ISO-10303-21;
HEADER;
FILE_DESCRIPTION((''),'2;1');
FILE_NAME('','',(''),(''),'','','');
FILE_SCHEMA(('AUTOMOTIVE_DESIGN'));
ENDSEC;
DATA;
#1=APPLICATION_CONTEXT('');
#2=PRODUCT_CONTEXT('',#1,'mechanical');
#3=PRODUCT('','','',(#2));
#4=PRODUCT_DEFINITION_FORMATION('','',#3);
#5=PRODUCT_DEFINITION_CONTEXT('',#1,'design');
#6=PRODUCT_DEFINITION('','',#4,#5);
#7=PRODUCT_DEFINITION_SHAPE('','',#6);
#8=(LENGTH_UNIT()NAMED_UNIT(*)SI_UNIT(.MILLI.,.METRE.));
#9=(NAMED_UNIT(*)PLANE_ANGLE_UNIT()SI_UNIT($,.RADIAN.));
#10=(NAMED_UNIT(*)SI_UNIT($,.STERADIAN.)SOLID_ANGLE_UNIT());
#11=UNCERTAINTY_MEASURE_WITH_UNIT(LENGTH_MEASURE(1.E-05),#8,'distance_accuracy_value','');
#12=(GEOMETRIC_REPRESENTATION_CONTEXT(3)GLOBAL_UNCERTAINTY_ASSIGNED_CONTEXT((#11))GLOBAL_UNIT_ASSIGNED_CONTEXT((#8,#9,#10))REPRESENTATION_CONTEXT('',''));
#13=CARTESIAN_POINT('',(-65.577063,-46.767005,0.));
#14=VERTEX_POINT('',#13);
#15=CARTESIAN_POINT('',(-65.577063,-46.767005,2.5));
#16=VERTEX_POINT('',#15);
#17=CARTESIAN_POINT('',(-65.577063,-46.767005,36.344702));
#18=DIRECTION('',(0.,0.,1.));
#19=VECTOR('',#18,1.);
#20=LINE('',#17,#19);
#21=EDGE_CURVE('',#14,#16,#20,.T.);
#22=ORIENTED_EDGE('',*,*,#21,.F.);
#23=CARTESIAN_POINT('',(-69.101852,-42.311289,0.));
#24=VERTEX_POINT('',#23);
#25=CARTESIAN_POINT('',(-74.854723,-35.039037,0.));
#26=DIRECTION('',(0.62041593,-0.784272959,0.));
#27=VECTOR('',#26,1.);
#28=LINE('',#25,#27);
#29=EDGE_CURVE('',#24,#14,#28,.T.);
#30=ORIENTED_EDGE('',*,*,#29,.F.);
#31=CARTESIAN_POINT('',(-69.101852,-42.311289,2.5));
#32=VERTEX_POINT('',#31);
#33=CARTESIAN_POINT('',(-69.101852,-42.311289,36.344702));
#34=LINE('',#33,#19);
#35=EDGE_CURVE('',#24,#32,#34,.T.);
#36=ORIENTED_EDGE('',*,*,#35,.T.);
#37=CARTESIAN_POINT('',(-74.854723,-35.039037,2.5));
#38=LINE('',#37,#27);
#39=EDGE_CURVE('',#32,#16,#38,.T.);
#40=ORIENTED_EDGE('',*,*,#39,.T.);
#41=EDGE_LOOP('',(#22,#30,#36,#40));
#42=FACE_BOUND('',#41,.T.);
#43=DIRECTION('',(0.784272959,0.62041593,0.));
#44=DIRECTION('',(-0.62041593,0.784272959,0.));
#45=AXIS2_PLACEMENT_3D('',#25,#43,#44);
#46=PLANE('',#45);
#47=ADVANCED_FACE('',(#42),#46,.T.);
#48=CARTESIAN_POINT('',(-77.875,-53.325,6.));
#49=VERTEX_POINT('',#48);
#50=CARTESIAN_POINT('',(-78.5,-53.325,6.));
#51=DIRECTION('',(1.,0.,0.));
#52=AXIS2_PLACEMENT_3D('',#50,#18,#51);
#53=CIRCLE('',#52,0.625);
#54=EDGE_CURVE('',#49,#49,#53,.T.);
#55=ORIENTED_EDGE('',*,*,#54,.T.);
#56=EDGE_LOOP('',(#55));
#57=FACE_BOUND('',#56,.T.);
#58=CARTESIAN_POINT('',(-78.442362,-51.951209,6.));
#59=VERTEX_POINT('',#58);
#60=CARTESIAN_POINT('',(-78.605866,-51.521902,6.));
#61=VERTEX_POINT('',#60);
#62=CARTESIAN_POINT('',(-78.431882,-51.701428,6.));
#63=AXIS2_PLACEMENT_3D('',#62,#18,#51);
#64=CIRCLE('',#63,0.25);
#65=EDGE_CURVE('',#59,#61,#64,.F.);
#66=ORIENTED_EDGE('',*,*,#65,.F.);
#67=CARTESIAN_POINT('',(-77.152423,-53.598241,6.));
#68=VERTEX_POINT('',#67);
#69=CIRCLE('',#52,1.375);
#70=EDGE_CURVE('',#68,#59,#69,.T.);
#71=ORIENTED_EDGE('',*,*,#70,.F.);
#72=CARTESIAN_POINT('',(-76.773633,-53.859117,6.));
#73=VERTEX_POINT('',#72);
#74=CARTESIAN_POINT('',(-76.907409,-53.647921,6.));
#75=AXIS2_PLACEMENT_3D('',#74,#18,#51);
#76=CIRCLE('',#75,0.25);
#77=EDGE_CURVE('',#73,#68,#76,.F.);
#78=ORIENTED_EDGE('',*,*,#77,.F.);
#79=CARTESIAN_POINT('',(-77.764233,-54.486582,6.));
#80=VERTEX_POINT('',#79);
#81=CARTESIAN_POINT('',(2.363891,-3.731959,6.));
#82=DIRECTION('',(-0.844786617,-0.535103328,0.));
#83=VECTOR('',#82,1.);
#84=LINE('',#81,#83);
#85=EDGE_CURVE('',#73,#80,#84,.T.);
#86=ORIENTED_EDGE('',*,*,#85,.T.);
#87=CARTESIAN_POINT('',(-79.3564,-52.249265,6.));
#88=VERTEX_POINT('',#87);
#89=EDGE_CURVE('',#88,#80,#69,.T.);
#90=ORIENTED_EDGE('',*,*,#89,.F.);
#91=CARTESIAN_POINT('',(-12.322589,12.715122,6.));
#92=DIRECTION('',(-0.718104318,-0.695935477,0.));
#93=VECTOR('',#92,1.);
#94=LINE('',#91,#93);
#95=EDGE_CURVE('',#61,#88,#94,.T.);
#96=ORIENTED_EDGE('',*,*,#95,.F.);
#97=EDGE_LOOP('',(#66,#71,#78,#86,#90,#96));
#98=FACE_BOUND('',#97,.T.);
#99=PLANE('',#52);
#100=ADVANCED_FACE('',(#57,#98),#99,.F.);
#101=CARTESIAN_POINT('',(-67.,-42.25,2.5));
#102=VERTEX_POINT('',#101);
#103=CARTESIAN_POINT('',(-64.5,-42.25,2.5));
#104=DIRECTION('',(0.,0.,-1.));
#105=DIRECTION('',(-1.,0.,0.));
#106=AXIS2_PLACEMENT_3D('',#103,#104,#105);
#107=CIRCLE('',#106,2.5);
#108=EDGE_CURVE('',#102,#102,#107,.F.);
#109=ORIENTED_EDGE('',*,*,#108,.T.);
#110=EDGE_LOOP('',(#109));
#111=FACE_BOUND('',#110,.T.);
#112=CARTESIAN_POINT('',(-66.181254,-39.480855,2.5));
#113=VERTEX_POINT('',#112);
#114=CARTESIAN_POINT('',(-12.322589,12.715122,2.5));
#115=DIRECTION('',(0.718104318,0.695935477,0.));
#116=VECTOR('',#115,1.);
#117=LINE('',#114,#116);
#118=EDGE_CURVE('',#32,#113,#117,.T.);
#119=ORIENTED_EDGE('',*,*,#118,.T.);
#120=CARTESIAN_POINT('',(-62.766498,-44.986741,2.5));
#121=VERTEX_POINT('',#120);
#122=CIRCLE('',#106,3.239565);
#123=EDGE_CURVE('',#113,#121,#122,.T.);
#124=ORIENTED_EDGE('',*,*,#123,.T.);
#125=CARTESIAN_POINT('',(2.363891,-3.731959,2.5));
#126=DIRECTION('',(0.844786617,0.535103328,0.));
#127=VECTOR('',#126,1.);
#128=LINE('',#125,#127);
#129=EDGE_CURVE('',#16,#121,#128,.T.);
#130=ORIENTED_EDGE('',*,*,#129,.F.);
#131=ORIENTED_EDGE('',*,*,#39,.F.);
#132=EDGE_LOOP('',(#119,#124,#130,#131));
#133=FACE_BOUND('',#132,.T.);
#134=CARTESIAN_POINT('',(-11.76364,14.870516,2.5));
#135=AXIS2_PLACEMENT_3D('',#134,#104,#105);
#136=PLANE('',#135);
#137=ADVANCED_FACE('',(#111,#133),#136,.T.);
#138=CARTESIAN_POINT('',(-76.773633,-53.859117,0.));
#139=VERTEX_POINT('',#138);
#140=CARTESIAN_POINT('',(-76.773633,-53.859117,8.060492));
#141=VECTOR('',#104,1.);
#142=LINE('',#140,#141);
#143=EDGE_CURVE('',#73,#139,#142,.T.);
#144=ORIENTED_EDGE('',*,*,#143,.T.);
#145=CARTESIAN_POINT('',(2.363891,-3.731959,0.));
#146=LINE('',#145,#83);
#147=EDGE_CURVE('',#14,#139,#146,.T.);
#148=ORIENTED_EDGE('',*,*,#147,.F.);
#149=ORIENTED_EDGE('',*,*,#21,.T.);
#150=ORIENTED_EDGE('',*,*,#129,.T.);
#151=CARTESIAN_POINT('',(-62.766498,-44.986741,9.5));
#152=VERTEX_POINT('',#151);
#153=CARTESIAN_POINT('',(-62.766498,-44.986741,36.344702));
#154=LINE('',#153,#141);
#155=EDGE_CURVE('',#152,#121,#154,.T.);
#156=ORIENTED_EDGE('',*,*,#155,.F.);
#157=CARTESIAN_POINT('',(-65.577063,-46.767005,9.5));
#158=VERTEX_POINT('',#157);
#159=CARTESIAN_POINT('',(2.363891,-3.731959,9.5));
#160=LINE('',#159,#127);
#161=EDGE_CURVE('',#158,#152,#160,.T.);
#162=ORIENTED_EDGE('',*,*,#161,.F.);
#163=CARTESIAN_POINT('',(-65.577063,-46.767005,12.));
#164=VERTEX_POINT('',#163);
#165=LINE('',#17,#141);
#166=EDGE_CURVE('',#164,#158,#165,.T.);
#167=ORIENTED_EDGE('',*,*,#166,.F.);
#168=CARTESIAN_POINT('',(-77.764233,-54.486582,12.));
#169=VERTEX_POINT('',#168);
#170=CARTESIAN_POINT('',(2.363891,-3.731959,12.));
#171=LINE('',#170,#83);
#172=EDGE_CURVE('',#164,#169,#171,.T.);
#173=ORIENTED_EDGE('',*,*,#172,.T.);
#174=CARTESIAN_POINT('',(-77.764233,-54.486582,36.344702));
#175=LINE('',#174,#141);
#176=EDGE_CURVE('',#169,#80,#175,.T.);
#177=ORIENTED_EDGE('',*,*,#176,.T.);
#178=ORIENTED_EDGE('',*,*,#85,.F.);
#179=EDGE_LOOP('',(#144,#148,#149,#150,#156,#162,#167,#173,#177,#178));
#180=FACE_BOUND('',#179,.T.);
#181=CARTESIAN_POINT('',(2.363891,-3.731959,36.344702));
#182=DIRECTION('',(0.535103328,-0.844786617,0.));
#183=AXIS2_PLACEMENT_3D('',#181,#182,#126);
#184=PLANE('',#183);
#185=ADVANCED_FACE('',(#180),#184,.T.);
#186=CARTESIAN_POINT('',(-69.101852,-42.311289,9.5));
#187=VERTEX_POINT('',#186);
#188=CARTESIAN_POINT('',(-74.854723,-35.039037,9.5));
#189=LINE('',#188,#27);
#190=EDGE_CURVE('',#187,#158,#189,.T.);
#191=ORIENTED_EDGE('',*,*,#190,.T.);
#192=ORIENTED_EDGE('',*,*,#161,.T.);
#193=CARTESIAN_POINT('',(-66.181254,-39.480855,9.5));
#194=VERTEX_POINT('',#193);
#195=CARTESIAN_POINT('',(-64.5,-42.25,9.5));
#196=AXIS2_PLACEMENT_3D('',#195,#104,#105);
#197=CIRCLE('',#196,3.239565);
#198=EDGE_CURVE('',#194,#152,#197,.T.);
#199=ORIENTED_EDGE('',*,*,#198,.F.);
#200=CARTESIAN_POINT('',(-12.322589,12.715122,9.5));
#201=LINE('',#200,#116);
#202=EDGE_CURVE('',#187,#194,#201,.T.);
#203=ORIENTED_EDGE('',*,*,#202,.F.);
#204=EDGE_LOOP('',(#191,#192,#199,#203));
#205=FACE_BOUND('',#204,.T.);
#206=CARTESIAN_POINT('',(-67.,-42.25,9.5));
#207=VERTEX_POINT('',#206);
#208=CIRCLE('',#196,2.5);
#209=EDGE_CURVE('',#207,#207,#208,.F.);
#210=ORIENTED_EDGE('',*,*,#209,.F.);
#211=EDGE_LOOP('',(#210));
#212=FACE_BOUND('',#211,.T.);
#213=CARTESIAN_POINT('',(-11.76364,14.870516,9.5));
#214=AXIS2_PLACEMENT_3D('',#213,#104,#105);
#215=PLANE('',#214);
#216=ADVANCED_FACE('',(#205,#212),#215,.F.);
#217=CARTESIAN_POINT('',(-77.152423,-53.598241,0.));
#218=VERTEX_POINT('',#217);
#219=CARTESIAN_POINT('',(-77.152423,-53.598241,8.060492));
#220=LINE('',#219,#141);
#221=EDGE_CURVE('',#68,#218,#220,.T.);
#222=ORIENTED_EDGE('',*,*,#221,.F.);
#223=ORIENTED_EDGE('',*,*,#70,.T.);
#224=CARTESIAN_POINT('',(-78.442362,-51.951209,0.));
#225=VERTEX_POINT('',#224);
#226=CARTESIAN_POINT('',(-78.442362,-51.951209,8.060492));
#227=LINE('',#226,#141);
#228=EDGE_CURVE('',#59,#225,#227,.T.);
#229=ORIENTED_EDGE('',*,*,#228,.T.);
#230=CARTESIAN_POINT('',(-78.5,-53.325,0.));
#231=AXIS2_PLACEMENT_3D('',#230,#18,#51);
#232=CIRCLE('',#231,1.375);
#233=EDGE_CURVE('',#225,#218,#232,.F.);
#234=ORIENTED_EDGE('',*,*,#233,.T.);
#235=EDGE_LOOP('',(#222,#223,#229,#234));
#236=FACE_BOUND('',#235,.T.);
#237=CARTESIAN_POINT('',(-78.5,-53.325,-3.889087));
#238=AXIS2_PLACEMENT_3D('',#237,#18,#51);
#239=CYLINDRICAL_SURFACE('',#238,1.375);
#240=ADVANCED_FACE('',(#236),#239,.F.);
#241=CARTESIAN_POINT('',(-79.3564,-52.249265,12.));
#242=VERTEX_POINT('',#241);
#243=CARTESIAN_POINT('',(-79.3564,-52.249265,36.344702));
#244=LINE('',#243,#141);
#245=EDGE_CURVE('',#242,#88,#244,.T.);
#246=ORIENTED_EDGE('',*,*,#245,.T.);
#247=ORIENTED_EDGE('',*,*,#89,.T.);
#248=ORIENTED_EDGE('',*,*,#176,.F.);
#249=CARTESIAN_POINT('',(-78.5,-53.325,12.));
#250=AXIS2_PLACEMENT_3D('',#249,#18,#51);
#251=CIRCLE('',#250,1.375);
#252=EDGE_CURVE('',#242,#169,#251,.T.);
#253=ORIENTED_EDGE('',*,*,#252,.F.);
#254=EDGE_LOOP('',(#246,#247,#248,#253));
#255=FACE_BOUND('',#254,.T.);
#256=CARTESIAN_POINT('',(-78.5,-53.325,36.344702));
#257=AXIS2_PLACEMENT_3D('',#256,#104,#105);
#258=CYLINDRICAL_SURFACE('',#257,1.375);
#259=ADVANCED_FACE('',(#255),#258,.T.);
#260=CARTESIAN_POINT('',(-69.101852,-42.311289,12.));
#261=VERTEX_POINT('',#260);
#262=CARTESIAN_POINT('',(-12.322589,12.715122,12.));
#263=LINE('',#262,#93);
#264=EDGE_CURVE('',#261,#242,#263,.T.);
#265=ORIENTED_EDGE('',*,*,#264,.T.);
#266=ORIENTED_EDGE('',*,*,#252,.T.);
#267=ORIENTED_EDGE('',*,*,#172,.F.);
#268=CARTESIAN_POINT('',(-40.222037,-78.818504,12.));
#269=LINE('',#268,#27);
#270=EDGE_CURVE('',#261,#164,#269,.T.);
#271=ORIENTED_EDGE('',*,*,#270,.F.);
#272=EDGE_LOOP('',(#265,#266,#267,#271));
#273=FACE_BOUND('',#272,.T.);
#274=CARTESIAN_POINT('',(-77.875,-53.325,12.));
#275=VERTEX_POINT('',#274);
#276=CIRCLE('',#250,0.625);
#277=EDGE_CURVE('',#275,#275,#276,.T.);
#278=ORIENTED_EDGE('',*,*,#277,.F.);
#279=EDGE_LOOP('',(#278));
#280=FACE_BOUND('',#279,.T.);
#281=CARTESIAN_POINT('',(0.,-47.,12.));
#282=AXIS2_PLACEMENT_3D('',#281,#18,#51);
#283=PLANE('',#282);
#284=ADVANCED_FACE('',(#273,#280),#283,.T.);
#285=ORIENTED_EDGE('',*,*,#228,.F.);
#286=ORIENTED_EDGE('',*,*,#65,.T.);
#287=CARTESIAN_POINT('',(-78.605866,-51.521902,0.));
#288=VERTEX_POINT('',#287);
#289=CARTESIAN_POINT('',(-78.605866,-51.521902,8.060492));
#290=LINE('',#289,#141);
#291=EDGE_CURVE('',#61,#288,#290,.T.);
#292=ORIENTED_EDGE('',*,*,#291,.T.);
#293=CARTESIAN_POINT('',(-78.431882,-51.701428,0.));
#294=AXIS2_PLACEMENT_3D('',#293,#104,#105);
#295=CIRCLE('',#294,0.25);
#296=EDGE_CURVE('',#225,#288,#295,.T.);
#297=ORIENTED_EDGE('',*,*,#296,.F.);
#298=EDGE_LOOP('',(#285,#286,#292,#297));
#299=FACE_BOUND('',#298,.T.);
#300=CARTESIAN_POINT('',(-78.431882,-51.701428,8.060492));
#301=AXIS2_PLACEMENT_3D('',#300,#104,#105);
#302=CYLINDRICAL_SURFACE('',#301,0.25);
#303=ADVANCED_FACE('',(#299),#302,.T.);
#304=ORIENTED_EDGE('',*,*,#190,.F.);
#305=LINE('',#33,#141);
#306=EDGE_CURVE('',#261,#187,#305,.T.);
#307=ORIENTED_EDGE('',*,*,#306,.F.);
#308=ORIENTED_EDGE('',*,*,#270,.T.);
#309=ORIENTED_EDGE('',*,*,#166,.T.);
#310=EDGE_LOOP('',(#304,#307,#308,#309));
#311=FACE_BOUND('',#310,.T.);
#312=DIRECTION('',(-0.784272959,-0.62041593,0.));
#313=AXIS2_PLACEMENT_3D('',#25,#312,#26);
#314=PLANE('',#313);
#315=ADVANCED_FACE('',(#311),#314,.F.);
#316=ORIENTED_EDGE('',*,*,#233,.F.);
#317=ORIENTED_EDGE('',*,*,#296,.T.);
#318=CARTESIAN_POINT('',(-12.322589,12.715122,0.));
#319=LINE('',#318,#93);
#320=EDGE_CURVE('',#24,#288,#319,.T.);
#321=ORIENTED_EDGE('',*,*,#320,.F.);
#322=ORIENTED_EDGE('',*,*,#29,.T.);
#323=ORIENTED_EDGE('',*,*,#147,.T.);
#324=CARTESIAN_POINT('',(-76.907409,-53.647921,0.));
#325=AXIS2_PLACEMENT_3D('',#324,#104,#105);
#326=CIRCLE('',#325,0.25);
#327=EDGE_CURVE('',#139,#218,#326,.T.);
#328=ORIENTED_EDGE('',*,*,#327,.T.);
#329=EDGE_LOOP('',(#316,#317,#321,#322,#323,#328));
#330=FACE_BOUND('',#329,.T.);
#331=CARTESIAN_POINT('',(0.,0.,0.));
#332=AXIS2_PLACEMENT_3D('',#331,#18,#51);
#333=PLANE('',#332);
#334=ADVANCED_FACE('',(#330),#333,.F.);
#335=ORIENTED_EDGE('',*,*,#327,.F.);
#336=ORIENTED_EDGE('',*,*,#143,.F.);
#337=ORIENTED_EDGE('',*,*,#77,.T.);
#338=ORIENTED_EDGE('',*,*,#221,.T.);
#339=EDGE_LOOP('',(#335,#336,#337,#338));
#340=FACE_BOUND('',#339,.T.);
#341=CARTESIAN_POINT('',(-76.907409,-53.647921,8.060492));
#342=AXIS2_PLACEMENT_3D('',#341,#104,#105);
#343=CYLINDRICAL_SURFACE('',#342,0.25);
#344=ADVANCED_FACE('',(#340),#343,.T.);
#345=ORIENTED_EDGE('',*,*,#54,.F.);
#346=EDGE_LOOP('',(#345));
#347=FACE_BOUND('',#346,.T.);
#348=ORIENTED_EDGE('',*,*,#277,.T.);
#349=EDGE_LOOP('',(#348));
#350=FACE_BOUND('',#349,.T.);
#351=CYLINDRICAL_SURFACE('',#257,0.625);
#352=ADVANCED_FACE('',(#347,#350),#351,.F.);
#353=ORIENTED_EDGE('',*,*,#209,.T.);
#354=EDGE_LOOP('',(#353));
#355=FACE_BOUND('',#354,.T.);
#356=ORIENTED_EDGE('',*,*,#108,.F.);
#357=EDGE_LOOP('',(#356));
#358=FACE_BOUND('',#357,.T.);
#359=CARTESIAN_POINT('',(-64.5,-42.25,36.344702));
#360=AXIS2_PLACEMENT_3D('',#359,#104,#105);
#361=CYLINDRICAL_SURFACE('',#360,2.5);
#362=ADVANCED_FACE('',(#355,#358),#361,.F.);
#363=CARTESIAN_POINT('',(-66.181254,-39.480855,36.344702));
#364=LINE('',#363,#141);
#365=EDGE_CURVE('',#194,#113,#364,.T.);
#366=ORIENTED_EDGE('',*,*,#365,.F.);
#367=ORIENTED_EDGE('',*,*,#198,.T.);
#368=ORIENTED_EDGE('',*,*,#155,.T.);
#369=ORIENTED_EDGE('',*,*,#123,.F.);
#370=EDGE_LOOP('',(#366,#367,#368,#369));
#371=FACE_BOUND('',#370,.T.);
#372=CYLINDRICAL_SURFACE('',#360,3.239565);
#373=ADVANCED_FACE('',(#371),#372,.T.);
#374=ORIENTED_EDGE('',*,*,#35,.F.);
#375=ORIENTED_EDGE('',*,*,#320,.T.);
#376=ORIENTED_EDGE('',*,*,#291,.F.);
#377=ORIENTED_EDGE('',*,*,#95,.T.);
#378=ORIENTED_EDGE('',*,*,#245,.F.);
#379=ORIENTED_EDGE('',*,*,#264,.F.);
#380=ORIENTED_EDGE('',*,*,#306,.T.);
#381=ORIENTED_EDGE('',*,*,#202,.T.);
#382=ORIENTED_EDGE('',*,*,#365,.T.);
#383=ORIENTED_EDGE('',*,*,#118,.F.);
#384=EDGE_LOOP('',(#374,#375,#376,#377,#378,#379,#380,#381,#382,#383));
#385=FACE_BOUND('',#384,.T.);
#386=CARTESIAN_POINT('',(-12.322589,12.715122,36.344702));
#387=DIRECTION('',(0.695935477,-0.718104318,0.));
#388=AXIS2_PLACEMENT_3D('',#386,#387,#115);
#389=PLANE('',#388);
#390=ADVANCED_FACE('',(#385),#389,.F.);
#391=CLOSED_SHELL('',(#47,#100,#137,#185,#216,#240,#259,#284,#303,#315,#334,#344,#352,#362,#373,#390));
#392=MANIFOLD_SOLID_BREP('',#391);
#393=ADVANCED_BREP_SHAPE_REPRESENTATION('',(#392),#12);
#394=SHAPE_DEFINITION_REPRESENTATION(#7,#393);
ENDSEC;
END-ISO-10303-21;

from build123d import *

# Parameters (mm, degrees)
SKETCH_3_R               = 2.5
SKETCH_3_R_2             = 1.375
SKETCH_3_R_3             = 0.625
EXTRUDE_1_DEPTH          = 12
CUT_EXTRUDE_START        = -6
SKETCH_4_R               = 1.375
SKETCH_4_R_2             = 0.625
CUT_EXTRUDE_1_DEPTH      = 6
CUT_EXTRUDE_2_DEPTH      = 6
CUT_EXTRUDE_3_DEPTH      = 98.323451249
CUT_EXTRUDE_3_DEPTH_BACK = 98.323451249
SKETCH_9_W               = 7.034569735
SKETCH_9_H               = 2.5


with BuildPart() as part:
    # 草图3 → 凸台-拉伸1 (new body)
    # profile 1 of 4: a face of its own
    with BuildSketch(Plane.XY):
        with BuildLine():
            ThreePointArc((-61.260434814, -42.25), (-62.911250508, -39.426764685), (-66.181254237, -39.480854503))
            Line((-66.181254237, -39.480854503), (-67.215081256, -40.482765899))
            ThreePointArc((-67.215081256, -40.482765899), (-66.804847725, -44.526501605), (-62.766497887, -44.986741313))
            ThreePointArc((-62.766497887, -44.986741313), (-61.661816101, -43.8118882), (-61.260434814, -42.25))
        make_face()
        with Locations((-64.5, -42.25)):
            Circle(SKETCH_3_R, mode=Mode.SUBTRACT)
    # profile 2 of 4: a face of its own
    with BuildSketch(Plane.XY):
        with BuildLine():
            ThreePointArc((-62.766497887, -44.986741313), (-66.804847725, -44.526501605), (-67.215081256, -40.482765899))
            Line((-67.215081256, -40.482765899), (-71.404577544, -44.542926834))
            Line((-71.404577544, -44.542926834), (-68.869512223, -46.563873564))
            ThreePointArc((-68.869512223, -46.563873564), (-68.283195443, -46.88782244), (-67.622796748, -47))
            Line((-67.622796748, -47), (-65.944900832, -47))
            Line((-65.944900832, -47), (-62.766497887, -44.986741313))
        make_face()
    # profile 3 of 4: a face of its own
    with BuildSketch(Plane.XY):
        with Locations((-78.5, -53.325)):
            Circle(SKETCH_3_R_2)
        with Locations((-78.5, -53.325)):
            Circle(SKETCH_3_R_3, mode=Mode.SUBTRACT)
    # profile 4 of 4: a face of its own
    with BuildSketch(Plane.XY):
        with BuildLine():
            Line((-68.869512223, -46.563873564), (-71.404577544, -44.542926834))
            Line((-71.404577544, -44.542926834), (-79.356399518, -52.24926543))
            ThreePointArc((-79.356399518, -52.24926543), (-77.902892111, -52.086417274), (-77.125, -53.325))
            ThreePointArc((-77.125, -53.325), (-77.295362144, -53.987927323), (-77.764232924, -54.486581598))
            Line((-77.764232924, -54.486581598), (-65.944900832, -47))
            Line((-65.944900832, -47), (-67.622796748, -47))
            ThreePointArc((-67.622796748, -47), (-68.283195443, -46.88782244), (-68.869512223, -46.563873564))
        make_face()
    extrude(amount=EXTRUDE_1_DEPTH)

    # 草图4 → 切除-拉伸1 (cut)
    with BuildSketch(Plane.XY.offset(6).offset(CUT_EXTRUDE_START)):
        with Locations((-78.5, -53.325)):
            Circle(SKETCH_4_R)
        with Locations((-78.5, -53.325)):
            Circle(SKETCH_4_R_2, mode=Mode.SUBTRACT)
    extrude(amount=CUT_EXTRUDE_1_DEPTH, mode=Mode.SUBTRACT)

    # 草图5 → 切除-拉伸2 (cut)
    with BuildSketch(Plane(origin=(0, 0, 0), x_dir=(-1, 0, 0), z_dir=(0, 0, -1))):
        with BuildLine():
            Line((79.356399518, -52.24926543), (78.605866383, -51.521902256))
            ThreePointArc((78.605866383, -51.521902256), (78.66209541, -51.603950043), (78.681882496, -51.701428318))
            ThreePointArc((78.681882496, -51.701428318), (78.612326251, -51.874460255), (78.442362088, -51.951208578))
            ThreePointArc((78.442362088, -51.951208578), (78.926279835, -52.017746963), (79.356399518, -52.24926543))
        make_face()
        with BuildLine():
            Line((79.691485429, -51.10916302), (78.328547162, -51.10916302))
            Line((78.328547162, -51.10916302), (78.328547162, -51.253144251))
            Line((78.328547162, -51.253144251), (78.605866383, -51.521902256))
            Line((78.605866383, -51.521902256), (79.356399518, -52.24926543))
            ThreePointArc((79.356399518, -52.24926543), (78.926279835, -52.017746963), (78.442362088, -51.951208578))
            ThreePointArc((78.442362088, -51.951208578), (78.385355708, -51.954787722), (78.328547162, -51.960731359))
            Line((78.328547162, -51.960731359), (78.328547162, -52.568011757))
            Line((78.328547162, -52.568011757), (79.691485429, -52.568011757))
            Line((79.691485429, -52.568011757), (79.691485429, -51.10916302))
        make_face()
        with BuildLine():
            Line((76.773632808, -53.859117327), (76.559713092, -53.723616657))
            Line((76.559713092, -53.723616657), (76.559713092, -54.626372146))
            Line((76.559713092, -54.626372146), (77.832544784, -54.626372146))
            Line((77.832544784, -54.626372146), (77.832544784, -53.006023906))
            Line((77.832544784, -53.006023906), (77.162510093, -53.006023906))
            ThreePointArc((77.162510093, -53.006023906), (77.125199423, -53.301582625), (77.152422696, -53.598240569))
            ThreePointArc((77.152422696, -53.598240569), (77.36758294, -54.104908073), (77.764232924, -54.486581598))
            Line((77.764232924, -54.486581598), (76.773632808, -53.859117327))
        make_face()
        with BuildLine():
            ThreePointArc((77.152422696, -53.598240569), (77.049210108, -53.853814684), (76.773632808, -53.859117327))
            Line((76.773632808, -53.859117327), (77.764232924, -54.486581598))
            ThreePointArc((77.764232924, -54.486581598), (77.36758294, -54.104908073), (77.152422696, -53.598240569))
        make_face()
    extrude(amount=-CUT_EXTRUDE_2_DEPTH, mode=Mode.SUBTRACT)

    # 草图9 → 切除-拉伸3 (cut, two sides: drawn at the far end of the back side and taken through both)
    with BuildSketch(Plane(origin=(-4.269265018, 5.396813566, 0), x_dir=(-0.784272958804573, -0.6204159299114752, 0), z_dir=(0.6204159299114752, -0.784272958804573, 0)).offset(-CUT_EXTRUDE_3_DEPTH_BACK)):
        with Locations((76.928026692, -1.25)):
            Rectangle(SKETCH_9_W, SKETCH_9_H)
        Polygon((74.298785761, -9.5), (73.410741824, -9.5), (73.410741824, -12), (80.445311559, -12), (80.445311559, -9.5), align=None)
    extrude(amount=CUT_EXTRUDE_3_DEPTH + CUT_EXTRUDE_3_DEPTH_BACK, mode=Mode.SUBTRACT)


solid = part.part
